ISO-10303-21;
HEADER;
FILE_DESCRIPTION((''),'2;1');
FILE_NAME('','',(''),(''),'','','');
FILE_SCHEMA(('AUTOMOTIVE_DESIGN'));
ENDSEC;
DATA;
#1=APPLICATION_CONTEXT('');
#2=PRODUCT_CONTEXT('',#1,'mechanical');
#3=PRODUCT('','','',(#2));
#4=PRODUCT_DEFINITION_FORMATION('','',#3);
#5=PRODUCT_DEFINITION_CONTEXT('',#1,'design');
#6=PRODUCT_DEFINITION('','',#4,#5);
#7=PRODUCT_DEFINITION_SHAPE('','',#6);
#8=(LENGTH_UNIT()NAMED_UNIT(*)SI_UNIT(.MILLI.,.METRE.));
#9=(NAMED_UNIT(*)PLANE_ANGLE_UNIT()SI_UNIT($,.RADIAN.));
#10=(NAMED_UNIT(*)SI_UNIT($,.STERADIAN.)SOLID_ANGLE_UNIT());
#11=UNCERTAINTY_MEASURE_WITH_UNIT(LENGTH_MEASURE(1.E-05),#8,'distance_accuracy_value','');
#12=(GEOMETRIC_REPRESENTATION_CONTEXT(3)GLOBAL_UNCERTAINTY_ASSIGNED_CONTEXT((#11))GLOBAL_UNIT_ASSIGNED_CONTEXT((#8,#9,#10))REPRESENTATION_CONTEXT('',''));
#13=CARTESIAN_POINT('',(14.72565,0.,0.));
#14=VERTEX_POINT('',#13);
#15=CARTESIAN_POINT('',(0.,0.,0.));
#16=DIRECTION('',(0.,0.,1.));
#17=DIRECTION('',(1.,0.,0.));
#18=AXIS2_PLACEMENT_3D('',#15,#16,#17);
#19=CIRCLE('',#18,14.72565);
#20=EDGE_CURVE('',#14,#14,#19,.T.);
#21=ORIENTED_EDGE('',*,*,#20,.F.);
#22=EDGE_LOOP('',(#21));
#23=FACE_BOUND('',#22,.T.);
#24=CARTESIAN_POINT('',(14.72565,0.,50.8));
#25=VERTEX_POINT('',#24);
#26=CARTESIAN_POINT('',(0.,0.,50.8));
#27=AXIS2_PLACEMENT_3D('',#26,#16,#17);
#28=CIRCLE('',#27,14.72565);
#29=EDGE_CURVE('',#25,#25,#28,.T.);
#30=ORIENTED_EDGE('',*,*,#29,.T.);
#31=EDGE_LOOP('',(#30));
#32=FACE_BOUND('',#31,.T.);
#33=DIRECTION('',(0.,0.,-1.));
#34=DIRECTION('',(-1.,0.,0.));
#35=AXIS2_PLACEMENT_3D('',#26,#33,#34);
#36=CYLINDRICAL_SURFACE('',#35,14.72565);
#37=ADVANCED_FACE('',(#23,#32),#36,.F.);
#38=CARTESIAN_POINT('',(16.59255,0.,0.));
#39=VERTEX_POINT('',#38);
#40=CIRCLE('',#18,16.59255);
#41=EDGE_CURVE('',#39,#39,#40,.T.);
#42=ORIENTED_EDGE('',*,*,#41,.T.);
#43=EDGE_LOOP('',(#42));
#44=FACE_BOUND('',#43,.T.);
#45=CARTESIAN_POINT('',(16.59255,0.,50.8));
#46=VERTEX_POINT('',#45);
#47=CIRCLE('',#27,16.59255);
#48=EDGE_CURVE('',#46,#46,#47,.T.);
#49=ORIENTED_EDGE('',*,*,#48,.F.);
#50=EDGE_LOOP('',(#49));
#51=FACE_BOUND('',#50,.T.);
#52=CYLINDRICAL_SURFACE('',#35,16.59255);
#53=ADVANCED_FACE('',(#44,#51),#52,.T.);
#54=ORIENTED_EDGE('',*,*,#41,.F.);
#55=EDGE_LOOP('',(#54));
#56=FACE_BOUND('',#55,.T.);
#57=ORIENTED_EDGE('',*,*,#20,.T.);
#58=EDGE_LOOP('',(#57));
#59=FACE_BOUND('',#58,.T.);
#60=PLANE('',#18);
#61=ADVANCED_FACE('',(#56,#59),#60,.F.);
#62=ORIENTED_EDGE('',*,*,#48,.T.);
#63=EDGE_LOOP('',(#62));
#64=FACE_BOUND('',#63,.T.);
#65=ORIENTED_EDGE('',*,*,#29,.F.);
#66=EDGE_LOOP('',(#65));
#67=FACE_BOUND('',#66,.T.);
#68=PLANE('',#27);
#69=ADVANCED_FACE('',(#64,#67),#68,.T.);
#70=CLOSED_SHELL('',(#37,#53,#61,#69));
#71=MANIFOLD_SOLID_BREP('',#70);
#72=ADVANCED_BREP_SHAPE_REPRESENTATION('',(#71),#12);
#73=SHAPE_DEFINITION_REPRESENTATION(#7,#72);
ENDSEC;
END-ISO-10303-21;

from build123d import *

# Parameters (mm, degrees)
SKETCH1_R           = 16.59255
SKETCH1_R_2         = 14.72565
BOSS_EXTRUDE1_DEPTH = 50.8


with BuildPart() as part:
    # Sketch1 → Boss-Extrude1 (new body)
    with BuildSketch(Plane.XY):
        Circle(SKETCH1_R)
        Circle(SKETCH1_R_2, mode=Mode.SUBTRACT)
    extrude(amount=BOSS_EXTRUDE1_DEPTH)


solid = part.part
